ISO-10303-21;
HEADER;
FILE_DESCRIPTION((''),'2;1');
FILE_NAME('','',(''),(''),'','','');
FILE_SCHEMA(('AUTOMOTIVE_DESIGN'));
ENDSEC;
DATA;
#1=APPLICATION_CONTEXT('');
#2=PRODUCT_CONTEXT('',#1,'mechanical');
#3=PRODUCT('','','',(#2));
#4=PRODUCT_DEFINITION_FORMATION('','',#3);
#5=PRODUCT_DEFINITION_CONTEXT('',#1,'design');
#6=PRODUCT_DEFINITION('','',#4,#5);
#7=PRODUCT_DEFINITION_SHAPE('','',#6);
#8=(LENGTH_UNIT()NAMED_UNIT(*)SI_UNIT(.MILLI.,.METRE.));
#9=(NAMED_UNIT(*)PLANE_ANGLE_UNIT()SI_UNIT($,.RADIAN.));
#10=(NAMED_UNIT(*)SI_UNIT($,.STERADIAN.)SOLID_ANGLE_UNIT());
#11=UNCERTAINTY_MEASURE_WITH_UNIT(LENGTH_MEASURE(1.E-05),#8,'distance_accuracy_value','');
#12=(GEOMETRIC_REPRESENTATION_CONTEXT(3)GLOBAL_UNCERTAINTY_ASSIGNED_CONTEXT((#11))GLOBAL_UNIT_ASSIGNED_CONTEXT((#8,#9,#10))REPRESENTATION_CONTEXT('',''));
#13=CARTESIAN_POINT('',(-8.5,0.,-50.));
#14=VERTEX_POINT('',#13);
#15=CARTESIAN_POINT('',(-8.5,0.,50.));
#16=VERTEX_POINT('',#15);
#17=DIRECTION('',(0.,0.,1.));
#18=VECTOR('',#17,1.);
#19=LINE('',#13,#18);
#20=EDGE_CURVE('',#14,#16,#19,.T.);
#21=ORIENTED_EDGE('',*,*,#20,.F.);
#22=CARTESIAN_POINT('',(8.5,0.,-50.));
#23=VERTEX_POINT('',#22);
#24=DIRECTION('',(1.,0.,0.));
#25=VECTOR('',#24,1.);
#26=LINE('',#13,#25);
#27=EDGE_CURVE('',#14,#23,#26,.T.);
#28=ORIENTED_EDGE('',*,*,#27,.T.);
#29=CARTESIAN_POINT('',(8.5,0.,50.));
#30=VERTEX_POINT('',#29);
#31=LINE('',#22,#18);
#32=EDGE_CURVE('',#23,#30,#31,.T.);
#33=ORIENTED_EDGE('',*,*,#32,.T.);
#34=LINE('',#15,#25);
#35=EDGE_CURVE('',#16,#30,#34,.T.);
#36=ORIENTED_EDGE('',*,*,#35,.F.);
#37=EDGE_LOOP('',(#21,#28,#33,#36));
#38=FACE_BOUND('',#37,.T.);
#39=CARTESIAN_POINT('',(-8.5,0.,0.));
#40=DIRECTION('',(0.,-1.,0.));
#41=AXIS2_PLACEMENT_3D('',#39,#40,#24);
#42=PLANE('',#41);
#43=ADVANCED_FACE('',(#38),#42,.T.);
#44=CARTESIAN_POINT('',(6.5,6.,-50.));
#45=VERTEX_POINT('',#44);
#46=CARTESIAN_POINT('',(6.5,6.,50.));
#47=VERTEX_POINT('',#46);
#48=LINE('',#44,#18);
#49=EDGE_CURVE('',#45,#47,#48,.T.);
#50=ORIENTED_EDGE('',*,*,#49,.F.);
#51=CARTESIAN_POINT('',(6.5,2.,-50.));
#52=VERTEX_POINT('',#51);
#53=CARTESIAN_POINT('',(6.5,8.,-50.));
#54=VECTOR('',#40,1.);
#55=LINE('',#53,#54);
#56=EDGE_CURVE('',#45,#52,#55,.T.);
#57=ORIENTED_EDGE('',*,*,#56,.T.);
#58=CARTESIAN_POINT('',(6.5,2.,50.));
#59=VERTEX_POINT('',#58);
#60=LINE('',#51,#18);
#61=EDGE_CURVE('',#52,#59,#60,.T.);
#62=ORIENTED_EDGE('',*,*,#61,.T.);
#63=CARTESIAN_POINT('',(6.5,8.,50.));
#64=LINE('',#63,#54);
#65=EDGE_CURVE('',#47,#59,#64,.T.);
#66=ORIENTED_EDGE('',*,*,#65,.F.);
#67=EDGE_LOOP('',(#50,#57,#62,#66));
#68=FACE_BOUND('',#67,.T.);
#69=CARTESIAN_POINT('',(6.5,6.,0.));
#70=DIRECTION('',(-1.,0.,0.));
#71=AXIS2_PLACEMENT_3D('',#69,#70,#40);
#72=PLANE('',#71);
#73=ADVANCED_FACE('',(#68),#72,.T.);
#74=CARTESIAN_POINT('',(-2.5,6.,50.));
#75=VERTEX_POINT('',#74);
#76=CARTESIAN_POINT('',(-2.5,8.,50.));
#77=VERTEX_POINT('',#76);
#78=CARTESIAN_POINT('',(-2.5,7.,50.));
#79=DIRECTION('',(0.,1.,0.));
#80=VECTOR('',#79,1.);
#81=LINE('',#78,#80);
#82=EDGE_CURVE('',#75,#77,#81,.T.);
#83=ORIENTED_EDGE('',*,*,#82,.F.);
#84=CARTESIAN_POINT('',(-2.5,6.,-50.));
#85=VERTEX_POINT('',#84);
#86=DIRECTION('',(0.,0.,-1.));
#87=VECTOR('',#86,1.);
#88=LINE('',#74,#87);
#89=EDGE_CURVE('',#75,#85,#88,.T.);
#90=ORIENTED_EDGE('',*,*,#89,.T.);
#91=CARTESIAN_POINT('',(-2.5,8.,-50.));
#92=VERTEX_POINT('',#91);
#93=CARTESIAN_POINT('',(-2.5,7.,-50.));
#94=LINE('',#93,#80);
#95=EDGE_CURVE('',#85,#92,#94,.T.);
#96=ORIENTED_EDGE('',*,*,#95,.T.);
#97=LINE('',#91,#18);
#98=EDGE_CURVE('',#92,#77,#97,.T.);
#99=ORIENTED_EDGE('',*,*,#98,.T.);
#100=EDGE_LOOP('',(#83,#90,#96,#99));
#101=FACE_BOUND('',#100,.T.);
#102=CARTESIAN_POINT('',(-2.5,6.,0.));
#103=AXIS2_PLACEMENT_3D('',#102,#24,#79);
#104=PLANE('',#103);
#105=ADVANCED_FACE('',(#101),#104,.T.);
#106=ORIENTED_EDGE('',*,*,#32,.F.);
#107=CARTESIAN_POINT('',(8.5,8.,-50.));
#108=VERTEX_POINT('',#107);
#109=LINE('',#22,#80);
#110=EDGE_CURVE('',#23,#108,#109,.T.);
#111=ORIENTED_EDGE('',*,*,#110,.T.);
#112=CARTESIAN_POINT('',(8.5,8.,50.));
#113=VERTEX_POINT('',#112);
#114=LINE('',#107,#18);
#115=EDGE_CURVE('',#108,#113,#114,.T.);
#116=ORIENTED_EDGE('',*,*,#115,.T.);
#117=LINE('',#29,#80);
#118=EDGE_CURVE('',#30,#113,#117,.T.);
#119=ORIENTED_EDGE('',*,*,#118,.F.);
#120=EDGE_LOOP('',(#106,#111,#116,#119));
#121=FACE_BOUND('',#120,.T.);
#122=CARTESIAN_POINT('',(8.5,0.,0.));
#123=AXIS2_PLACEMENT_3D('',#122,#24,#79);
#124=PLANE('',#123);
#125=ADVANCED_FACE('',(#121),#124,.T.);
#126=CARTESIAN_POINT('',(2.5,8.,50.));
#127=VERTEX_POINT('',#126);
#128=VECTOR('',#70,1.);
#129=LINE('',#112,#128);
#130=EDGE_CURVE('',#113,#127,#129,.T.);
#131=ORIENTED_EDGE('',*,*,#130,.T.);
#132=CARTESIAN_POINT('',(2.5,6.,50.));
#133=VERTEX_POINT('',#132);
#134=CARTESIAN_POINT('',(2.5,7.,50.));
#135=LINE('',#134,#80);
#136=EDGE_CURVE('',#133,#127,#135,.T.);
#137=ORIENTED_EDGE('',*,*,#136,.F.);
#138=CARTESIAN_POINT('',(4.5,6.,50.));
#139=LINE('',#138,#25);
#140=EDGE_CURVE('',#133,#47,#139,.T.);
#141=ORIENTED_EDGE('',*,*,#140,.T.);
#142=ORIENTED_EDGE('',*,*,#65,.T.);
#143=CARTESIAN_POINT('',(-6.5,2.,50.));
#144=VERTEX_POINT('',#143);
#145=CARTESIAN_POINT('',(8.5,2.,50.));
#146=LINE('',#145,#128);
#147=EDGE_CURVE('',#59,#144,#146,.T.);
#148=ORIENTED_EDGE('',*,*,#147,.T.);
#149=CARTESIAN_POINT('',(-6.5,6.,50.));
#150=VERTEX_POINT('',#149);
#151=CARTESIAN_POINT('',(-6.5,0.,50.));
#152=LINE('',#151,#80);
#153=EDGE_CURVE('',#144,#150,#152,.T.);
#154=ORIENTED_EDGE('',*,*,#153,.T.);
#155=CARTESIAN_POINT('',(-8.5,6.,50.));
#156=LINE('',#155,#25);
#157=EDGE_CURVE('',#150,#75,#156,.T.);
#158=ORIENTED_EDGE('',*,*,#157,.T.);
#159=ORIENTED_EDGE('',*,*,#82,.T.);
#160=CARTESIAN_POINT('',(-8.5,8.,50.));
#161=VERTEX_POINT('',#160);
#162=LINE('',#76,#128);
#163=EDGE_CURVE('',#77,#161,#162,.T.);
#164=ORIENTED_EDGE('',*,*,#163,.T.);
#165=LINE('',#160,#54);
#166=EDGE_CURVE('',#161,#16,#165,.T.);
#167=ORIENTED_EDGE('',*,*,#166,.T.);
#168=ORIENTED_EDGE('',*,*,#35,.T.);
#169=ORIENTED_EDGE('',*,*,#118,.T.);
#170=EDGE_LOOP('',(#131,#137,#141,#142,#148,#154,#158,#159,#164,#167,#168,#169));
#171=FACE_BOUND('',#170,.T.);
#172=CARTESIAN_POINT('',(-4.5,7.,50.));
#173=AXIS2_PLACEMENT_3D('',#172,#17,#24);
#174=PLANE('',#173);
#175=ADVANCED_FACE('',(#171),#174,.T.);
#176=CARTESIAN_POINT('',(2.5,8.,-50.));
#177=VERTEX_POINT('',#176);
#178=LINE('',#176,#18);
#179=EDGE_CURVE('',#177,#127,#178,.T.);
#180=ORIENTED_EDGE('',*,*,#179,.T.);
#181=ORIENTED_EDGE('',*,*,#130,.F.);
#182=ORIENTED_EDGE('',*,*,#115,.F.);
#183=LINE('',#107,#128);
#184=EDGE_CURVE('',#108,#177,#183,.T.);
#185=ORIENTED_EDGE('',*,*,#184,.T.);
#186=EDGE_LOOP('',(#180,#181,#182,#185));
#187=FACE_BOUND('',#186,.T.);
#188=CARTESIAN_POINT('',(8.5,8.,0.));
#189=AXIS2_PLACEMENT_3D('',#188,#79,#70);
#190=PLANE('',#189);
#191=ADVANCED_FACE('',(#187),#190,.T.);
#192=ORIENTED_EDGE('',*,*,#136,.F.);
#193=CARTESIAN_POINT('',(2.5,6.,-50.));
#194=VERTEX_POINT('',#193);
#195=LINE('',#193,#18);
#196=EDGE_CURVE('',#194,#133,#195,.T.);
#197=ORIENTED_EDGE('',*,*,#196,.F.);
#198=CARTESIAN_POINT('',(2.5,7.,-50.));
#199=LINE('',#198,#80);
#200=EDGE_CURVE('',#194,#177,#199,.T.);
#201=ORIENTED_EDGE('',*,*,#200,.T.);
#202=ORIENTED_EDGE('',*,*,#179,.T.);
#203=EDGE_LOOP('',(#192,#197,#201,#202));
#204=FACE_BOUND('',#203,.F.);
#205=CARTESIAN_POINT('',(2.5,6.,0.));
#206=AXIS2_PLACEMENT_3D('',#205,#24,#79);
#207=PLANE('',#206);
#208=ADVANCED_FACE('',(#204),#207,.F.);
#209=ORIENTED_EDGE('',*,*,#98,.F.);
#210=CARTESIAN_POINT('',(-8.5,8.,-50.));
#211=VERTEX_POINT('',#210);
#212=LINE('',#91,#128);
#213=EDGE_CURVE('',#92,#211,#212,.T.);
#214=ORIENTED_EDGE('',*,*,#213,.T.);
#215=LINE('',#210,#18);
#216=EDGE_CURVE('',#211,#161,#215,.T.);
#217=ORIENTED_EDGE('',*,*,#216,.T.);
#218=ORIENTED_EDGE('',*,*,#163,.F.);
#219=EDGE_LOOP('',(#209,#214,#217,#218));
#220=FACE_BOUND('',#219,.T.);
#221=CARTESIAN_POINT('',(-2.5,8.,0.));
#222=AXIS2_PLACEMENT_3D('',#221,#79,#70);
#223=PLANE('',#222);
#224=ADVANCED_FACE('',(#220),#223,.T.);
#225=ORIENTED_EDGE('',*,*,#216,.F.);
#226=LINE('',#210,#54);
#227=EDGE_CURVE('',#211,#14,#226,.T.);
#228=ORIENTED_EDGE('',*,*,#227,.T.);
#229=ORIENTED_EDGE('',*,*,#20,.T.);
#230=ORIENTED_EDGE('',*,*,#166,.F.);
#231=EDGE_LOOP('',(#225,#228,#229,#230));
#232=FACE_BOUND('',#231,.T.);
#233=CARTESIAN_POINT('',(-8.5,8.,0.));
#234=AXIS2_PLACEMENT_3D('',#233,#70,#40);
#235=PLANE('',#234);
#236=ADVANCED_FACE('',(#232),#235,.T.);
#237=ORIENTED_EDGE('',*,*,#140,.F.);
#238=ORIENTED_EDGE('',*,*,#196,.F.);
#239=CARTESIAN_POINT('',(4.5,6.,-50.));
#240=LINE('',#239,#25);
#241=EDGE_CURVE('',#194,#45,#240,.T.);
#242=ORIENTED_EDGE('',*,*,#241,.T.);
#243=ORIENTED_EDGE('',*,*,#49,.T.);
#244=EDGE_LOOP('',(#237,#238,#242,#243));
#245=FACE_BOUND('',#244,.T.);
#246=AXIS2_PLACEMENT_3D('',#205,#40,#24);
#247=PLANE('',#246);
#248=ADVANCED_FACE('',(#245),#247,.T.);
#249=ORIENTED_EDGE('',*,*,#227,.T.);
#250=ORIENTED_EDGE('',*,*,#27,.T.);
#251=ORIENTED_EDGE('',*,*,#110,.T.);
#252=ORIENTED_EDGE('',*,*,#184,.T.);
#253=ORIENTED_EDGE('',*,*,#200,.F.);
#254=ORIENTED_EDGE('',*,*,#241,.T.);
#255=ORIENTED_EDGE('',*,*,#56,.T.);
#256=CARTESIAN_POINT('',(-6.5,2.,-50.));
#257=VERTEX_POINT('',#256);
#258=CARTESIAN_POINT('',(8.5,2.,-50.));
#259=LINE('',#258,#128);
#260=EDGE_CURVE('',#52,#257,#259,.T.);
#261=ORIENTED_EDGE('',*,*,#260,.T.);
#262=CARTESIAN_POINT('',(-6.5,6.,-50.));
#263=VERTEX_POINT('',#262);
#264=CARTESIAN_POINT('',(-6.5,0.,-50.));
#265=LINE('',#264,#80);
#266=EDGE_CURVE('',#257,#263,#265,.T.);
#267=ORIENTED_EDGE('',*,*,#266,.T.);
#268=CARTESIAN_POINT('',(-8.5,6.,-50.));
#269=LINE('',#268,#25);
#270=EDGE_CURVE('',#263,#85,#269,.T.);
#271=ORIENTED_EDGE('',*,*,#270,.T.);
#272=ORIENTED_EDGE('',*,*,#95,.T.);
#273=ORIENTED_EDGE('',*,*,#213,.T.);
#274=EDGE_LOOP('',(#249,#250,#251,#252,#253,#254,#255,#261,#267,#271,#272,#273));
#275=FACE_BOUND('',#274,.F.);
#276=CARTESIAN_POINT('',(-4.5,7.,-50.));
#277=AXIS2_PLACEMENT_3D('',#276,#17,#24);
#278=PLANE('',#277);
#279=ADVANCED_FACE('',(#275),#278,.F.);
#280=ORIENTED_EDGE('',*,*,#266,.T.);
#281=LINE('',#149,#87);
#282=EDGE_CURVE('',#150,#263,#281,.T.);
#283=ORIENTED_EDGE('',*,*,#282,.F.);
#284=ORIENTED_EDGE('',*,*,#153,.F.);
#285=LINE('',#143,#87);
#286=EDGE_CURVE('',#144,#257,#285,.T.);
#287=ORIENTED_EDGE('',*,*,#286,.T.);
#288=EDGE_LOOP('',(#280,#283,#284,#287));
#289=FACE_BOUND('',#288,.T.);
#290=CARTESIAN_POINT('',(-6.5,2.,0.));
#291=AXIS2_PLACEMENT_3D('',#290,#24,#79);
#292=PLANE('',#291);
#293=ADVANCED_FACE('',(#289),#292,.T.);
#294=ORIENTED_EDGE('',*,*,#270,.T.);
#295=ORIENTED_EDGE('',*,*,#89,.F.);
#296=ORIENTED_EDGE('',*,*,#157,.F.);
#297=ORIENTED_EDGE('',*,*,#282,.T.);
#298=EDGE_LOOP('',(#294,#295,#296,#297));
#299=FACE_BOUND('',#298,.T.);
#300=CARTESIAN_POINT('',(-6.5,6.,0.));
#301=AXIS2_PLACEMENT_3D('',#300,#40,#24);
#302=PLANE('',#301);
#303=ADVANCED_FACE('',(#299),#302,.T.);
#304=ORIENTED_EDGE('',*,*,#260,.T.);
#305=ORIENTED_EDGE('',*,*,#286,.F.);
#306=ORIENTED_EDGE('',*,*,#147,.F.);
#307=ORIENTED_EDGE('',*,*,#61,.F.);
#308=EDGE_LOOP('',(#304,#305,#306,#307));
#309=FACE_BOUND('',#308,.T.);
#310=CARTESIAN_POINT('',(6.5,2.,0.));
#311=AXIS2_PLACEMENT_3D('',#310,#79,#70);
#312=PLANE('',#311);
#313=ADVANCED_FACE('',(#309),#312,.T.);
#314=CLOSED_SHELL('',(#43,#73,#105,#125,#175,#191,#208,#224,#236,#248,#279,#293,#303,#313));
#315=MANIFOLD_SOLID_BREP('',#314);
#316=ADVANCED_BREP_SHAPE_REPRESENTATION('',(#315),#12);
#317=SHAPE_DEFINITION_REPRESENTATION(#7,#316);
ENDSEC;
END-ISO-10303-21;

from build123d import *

# Parameters (mm, degrees)
F0_W     = 4
F0_H     = 2
F0_W_2   = 2
F0_H_2   = 4
F0_W_3   = 6.5
F1_DEPTH = 50


with BuildPart() as f1:
    # F0 (on Top) → F1 (new body, symmetric)
    with BuildSketch(Plane.XY):
        with Locations((-4.5, 7)):
            Rectangle(F0_W, F0_H)
        with Locations((-7.5, 7)):
            Rectangle(F0_W_2, F0_H)
        with Locations((-7.5, 4)):
            Rectangle(F0_W_2, F0_H_2)
        with Locations((-7.5, 1)):
            Rectangle(F0_W_2, F0_H)
        with Locations((-3.25, 1)):
            Rectangle(F0_W_3, F0_H)
        with Locations((3.25, 1)):
            Rectangle(F0_W_3, F0_H)
        with Locations((7.5, 1)):
            Rectangle(F0_W_2, F0_H)
        with Locations((7.5, 4)):
            Rectangle(F0_W_2, F0_H_2)
        with Locations((7.5, 7)):
            Rectangle(F0_W_2, F0_H)
        with Locations((4.5, 7)):
            Rectangle(F0_W, F0_H)
    extrude(amount=F1_DEPTH, both=True)


solid = f1.part
